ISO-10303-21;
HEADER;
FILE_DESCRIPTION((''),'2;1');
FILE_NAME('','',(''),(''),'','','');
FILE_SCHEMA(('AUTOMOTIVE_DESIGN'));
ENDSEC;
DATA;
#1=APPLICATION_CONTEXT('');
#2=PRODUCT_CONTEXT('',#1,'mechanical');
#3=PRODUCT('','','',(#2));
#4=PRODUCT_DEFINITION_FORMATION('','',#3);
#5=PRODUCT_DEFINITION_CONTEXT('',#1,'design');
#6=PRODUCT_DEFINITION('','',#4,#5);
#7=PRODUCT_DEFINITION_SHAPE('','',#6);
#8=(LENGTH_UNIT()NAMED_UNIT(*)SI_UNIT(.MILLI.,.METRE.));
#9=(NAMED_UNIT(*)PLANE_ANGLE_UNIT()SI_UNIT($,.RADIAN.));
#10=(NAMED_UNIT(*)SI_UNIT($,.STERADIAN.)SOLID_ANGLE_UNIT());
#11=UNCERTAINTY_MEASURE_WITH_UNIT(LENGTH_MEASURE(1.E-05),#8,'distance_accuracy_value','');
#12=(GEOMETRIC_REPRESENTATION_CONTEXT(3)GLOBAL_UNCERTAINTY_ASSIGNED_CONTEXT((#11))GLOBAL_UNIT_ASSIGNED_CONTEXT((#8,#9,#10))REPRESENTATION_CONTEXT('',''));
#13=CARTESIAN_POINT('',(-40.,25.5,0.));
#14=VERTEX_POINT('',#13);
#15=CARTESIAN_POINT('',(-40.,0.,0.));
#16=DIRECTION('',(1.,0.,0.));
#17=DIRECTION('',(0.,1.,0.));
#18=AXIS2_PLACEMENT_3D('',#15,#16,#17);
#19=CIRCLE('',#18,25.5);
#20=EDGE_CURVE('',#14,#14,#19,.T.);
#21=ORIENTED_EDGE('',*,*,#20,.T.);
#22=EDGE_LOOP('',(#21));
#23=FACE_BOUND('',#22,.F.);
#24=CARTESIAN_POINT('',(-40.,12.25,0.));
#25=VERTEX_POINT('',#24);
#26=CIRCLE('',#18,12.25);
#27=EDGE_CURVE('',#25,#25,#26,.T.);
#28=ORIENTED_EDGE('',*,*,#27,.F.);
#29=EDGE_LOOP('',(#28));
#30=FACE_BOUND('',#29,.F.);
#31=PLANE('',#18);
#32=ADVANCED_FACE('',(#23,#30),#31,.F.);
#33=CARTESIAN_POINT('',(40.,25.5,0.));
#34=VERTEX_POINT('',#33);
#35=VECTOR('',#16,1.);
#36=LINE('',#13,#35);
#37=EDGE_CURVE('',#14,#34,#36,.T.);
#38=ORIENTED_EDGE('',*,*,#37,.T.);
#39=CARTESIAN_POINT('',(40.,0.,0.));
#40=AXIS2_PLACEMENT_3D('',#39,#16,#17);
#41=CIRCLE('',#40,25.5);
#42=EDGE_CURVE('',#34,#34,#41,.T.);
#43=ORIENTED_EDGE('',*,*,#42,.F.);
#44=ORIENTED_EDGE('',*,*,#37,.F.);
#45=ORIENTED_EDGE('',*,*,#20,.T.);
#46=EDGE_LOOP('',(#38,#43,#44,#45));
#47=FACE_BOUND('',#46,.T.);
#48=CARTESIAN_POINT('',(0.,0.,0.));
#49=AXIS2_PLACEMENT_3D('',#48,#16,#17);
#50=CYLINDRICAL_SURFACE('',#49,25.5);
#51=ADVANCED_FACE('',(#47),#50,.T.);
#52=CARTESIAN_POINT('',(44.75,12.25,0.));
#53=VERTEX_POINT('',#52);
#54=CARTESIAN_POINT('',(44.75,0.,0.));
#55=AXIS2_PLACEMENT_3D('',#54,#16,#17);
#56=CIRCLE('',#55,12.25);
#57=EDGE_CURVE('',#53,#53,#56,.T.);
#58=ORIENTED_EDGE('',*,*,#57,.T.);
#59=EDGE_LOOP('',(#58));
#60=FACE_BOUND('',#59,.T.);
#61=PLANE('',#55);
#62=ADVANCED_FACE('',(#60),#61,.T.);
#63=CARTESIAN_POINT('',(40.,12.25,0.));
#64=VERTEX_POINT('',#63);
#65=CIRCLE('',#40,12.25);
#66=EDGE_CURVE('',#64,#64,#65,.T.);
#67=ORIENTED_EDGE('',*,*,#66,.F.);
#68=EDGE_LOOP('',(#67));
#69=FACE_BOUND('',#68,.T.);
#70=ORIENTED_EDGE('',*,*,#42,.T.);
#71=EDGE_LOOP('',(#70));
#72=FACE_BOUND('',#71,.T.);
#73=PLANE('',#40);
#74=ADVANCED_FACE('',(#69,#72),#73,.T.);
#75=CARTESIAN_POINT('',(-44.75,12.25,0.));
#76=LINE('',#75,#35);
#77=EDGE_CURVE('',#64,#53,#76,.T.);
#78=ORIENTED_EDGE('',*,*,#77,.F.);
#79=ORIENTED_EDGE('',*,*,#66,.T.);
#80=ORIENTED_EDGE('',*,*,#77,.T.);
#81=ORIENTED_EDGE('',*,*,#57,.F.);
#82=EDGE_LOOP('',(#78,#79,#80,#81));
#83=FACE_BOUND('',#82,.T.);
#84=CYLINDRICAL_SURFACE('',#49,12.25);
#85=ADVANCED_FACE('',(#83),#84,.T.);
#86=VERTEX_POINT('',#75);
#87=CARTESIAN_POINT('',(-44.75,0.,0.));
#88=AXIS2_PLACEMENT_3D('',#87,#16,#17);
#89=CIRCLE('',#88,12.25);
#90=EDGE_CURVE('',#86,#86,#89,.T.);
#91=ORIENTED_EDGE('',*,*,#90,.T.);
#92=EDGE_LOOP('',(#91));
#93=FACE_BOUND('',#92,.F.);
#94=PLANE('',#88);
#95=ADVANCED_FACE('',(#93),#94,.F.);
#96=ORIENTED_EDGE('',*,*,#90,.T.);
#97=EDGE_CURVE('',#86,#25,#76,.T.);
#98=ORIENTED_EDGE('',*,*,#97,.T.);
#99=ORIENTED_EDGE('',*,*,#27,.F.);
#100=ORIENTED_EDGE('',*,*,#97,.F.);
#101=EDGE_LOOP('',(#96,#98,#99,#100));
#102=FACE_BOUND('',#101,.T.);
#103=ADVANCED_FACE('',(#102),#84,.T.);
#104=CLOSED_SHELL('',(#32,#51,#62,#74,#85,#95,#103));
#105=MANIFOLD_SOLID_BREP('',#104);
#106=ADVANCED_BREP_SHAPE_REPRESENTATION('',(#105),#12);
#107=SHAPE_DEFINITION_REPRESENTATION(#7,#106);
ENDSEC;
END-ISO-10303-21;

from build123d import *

# Parameters (mm, degrees)
F0_R     = 25.5
F0_R_2   = 12.25
F1_DEPTH = 40
F2_DEPTH = 44.75


with BuildPart() as f1:
    # F0 (on Right) → F1 (new body, symmetric)
    with BuildSketch(Plane.YZ):
        Circle(F0_R)
        Circle(F0_R_2, mode=Mode.SUBTRACT)
    extrude(amount=F1_DEPTH, both=True)

    # F0 (on Right) → F2 (join, symmetric)
    with BuildSketch(Plane.YZ):
        Circle(F0_R_2)
    extrude(amount=F2_DEPTH, both=True)


solid = f1.part
